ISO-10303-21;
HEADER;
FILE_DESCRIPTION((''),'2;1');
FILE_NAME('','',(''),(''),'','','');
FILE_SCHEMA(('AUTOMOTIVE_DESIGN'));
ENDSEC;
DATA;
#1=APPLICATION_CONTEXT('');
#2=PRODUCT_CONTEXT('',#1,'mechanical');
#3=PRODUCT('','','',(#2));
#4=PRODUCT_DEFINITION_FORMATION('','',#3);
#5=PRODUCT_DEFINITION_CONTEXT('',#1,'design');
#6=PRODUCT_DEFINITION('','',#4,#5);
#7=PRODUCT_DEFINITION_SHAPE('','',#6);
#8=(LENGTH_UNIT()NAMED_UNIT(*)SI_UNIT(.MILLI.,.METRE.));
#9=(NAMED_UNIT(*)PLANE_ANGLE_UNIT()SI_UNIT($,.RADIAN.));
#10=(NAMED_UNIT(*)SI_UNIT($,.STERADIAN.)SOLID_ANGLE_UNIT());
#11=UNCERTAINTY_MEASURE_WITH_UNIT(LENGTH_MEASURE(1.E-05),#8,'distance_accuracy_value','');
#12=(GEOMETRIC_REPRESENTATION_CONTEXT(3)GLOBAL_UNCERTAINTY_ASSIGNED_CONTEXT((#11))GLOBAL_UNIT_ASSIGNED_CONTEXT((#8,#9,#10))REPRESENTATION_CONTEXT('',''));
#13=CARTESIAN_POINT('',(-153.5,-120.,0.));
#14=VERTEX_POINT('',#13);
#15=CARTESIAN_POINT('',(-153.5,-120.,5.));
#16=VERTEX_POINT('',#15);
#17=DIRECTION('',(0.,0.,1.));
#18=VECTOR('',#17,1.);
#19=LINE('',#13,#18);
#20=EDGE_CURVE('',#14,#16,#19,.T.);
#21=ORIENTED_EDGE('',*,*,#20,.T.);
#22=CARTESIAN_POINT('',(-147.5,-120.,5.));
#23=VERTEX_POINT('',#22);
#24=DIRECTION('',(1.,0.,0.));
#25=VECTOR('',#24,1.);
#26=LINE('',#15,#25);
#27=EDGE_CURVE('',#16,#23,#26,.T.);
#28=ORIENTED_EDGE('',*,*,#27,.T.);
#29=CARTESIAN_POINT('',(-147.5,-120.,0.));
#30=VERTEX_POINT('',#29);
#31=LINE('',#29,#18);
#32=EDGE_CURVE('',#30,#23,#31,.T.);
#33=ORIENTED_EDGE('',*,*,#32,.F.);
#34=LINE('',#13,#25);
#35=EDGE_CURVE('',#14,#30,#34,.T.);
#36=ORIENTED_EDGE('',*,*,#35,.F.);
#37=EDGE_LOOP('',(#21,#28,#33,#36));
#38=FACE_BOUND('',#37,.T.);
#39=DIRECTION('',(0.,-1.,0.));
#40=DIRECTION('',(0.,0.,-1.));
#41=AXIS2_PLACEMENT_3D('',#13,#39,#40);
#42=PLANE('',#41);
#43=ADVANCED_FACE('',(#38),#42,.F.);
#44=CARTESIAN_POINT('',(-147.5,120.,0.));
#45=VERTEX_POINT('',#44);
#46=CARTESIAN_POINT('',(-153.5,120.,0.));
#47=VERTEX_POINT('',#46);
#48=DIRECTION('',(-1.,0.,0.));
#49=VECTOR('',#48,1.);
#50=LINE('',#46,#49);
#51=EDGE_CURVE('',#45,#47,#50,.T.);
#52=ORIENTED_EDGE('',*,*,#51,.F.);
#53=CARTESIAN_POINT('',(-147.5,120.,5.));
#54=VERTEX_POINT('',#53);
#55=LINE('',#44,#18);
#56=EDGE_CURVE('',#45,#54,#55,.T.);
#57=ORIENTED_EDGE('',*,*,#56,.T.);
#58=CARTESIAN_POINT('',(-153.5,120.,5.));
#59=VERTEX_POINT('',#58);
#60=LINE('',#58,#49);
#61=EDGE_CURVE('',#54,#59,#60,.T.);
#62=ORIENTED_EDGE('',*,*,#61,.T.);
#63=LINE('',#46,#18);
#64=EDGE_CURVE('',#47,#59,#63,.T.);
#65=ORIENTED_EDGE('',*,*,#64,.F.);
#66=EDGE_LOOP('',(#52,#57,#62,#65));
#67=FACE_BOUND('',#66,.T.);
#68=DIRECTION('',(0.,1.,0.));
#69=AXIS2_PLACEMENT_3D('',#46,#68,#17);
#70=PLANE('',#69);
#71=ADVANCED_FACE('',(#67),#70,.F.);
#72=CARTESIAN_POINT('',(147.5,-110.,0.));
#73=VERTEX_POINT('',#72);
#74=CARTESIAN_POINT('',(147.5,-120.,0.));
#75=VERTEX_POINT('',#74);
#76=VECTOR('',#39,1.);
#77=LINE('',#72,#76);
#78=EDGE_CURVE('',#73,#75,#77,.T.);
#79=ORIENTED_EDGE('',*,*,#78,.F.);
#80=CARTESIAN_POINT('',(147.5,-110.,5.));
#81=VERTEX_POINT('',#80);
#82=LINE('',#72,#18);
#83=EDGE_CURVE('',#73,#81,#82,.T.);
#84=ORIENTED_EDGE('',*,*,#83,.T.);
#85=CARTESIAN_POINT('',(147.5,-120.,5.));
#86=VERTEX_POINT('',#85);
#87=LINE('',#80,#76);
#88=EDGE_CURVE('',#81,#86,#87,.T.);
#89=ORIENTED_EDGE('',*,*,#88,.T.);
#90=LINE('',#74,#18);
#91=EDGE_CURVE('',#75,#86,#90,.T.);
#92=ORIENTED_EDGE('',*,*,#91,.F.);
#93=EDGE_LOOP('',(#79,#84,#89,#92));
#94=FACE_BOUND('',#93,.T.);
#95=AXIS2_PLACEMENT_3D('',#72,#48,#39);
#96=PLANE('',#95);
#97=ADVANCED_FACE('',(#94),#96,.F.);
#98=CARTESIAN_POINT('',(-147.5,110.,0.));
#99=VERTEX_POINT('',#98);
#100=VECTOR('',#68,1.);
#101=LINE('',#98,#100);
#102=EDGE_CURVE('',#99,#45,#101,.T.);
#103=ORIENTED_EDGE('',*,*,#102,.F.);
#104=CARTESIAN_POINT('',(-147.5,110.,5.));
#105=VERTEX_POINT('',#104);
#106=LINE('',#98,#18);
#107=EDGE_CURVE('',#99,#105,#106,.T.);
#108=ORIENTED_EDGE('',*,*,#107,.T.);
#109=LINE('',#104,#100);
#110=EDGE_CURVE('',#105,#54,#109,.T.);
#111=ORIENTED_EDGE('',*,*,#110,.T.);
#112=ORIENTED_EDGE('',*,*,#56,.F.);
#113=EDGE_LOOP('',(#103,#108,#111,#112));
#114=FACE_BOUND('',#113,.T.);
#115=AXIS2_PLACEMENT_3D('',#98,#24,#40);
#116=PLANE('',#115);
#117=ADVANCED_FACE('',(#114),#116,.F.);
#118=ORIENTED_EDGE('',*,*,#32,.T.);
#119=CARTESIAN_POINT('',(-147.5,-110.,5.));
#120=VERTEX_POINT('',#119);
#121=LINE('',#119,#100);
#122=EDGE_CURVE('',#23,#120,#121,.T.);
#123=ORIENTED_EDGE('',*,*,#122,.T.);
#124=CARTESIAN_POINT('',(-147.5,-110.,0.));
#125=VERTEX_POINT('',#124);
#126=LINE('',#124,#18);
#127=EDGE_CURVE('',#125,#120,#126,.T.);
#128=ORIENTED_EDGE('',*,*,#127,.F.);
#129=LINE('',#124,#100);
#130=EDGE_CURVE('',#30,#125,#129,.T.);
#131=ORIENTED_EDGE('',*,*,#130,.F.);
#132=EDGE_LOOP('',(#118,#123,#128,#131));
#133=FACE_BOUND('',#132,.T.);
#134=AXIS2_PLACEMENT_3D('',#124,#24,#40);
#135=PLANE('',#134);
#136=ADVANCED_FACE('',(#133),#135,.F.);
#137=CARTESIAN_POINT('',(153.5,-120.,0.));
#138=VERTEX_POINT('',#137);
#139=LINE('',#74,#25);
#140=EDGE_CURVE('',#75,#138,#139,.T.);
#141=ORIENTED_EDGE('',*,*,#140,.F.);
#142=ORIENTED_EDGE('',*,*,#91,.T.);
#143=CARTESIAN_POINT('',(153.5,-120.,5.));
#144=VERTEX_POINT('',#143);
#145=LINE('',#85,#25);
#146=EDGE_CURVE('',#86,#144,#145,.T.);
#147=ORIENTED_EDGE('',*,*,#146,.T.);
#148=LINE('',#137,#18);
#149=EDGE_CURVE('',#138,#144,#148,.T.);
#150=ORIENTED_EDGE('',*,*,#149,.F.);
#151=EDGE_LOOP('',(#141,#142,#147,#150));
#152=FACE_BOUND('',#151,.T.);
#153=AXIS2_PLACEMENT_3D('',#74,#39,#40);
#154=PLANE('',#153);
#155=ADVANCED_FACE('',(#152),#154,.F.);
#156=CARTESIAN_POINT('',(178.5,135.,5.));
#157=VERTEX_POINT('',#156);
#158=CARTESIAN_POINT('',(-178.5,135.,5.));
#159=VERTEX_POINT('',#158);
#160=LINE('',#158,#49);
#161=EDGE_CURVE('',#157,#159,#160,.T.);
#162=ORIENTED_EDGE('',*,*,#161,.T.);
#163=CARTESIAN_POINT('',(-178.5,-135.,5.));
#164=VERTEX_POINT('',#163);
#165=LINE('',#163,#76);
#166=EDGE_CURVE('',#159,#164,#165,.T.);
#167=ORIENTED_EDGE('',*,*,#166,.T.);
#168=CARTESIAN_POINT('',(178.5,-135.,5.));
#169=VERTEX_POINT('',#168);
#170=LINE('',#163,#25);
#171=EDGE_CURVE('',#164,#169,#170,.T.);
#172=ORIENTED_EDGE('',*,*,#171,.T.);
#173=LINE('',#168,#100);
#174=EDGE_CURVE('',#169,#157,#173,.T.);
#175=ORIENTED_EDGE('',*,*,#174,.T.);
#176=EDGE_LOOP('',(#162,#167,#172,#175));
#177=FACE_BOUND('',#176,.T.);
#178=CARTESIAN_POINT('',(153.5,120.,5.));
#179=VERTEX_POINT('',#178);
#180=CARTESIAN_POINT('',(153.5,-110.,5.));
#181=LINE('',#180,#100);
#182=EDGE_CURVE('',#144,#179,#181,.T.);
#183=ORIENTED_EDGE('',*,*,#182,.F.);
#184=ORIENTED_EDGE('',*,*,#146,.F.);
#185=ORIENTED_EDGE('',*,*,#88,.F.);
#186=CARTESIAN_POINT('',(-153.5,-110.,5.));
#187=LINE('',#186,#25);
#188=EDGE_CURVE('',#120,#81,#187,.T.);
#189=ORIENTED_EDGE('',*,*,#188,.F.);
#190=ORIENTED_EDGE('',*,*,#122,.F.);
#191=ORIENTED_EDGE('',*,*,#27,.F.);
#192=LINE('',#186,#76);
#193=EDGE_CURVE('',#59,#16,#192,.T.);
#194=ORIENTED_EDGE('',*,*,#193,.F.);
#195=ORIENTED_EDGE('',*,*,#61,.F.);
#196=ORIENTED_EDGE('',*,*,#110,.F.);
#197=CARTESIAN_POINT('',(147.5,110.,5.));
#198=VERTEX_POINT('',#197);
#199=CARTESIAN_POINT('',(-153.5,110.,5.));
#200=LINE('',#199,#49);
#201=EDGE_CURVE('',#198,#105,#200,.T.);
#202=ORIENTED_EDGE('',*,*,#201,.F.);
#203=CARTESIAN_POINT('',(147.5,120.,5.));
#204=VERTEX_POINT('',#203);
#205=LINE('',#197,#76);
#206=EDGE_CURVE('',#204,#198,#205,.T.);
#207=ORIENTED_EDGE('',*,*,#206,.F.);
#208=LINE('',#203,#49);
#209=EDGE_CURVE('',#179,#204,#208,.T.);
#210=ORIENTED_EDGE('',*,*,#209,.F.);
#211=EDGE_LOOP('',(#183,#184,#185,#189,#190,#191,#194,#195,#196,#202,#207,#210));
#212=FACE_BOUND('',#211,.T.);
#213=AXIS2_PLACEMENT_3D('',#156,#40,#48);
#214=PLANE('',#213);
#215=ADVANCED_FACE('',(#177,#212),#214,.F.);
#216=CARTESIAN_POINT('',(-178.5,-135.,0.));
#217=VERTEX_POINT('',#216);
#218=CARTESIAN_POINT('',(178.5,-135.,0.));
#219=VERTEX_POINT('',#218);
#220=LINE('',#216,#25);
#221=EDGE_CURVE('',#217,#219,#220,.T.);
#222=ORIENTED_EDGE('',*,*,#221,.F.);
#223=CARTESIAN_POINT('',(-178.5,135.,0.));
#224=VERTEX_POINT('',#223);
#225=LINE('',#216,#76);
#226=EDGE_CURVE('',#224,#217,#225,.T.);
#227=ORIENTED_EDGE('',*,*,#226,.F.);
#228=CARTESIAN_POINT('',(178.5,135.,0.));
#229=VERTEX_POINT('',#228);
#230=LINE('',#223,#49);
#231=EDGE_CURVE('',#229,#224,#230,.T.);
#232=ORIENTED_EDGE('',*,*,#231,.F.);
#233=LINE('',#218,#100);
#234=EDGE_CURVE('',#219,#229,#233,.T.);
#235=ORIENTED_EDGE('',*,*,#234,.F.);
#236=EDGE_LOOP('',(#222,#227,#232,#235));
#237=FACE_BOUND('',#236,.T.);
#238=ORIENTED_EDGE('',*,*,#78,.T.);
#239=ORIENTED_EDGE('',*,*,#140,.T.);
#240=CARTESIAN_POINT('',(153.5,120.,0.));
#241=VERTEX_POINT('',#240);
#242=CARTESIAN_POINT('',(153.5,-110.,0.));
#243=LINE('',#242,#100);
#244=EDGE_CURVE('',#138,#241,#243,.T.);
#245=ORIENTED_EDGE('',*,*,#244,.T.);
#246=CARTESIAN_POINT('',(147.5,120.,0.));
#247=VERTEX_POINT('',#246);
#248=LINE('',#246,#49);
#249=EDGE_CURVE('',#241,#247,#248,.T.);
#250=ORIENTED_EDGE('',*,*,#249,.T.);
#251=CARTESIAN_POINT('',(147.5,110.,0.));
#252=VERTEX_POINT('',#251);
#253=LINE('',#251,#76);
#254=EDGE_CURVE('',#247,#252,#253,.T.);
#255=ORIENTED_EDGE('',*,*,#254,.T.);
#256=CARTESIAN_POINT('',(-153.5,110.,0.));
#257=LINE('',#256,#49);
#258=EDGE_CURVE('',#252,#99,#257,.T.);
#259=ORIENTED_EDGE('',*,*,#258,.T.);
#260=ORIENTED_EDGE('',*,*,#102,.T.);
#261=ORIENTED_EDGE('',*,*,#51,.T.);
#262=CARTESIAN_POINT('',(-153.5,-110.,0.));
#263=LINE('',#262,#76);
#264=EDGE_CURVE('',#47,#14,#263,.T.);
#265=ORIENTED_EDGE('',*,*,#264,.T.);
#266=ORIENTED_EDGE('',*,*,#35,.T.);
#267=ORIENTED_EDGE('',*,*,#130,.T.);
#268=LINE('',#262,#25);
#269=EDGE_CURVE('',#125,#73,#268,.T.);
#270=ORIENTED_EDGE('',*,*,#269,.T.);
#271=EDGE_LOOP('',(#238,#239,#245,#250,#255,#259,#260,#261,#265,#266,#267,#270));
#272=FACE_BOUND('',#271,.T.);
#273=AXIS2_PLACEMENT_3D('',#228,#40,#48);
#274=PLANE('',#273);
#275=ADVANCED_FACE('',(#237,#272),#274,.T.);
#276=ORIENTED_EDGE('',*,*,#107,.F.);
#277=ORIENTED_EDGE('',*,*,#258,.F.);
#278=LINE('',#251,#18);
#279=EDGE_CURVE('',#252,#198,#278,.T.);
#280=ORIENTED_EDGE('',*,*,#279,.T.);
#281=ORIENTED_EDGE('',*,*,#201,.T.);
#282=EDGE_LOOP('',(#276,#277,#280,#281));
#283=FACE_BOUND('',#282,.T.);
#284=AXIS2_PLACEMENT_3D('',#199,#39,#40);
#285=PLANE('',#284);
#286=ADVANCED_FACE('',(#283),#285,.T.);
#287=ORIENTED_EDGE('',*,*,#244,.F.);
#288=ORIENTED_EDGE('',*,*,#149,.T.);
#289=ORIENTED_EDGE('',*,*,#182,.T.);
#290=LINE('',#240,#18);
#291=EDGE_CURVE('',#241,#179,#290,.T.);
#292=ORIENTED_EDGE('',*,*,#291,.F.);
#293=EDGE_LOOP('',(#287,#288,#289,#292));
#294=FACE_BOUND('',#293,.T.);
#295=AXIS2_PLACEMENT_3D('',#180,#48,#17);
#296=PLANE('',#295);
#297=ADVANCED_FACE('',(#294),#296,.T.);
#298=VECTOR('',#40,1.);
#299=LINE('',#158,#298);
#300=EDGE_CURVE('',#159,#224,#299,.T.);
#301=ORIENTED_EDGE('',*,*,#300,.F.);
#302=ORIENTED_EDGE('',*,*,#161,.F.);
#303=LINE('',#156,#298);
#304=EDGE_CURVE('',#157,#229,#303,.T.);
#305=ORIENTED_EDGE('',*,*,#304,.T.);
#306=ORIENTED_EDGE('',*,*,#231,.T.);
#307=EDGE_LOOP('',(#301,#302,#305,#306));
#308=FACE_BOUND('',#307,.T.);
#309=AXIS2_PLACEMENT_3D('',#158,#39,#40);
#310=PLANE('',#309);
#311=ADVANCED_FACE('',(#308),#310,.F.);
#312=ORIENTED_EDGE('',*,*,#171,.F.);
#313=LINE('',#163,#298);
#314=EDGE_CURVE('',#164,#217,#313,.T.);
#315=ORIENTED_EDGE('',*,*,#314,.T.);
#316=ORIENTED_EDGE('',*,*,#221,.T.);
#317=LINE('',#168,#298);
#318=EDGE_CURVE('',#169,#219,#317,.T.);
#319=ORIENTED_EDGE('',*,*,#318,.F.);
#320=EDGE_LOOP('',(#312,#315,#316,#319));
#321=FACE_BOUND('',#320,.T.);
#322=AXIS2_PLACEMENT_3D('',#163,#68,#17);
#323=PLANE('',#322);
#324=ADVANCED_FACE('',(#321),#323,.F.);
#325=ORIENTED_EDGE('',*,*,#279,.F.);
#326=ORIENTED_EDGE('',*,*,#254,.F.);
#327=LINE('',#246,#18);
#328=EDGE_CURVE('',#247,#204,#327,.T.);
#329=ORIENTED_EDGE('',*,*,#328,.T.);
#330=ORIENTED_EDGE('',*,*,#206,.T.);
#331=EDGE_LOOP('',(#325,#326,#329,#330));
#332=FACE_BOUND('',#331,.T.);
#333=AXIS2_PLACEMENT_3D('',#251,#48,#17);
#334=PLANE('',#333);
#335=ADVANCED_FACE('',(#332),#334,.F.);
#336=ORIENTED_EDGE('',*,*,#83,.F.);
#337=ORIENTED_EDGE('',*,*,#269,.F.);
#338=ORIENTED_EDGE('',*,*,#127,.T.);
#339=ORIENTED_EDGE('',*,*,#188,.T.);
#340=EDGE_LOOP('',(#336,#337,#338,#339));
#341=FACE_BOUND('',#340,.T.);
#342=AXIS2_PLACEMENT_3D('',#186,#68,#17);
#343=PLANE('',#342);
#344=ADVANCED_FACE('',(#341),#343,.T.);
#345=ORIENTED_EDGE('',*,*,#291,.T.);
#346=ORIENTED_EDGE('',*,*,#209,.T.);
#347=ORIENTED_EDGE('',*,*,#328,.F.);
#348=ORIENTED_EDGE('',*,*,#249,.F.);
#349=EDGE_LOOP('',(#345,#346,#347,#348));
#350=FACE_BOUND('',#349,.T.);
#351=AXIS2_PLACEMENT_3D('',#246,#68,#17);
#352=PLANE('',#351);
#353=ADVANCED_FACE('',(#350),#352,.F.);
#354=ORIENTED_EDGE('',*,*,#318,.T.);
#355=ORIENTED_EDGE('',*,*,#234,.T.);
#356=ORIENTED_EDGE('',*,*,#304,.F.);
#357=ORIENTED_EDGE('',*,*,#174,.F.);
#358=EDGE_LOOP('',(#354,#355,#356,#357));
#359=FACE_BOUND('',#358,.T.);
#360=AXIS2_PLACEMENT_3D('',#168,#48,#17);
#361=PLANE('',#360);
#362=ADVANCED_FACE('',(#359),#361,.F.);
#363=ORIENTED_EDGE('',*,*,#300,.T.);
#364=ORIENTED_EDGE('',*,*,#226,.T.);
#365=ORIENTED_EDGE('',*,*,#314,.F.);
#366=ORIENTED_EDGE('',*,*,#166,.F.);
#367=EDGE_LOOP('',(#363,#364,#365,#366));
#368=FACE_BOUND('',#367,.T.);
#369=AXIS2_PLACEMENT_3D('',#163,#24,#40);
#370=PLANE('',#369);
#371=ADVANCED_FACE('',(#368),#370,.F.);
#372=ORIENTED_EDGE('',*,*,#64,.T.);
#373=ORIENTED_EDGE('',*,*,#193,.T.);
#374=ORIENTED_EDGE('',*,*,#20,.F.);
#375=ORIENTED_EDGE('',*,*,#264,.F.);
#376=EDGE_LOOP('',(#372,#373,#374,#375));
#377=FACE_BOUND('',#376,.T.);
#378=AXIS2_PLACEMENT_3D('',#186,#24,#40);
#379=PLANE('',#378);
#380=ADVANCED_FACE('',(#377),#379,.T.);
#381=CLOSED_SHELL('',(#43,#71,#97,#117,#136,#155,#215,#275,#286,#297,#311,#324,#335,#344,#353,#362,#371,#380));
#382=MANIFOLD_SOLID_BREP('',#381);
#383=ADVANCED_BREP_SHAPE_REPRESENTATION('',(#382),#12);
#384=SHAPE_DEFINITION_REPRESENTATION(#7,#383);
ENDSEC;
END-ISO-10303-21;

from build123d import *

# Parameters (mm, degrees)
SKETCH1_W          = 357
SKETCH1_H          = 270
SKETCH1_W_2        = 307
SKETCH1_H_2        = 220
EXTRUDE1_DEPTH     = 5
SKETCH3_W          = 6
SKETCH3_H          = 10
CUT_EXTRUDE1_DEPTH = 224.857655665


with BuildPart() as part:
    # Sketch1 → Extrude1 (new body)
    with BuildSketch(Plane.XY):
        Rectangle(SKETCH1_W, SKETCH1_H)
        Rectangle(SKETCH1_W_2, SKETCH1_H_2, mode=Mode.SUBTRACT)
    extrude(amount=EXTRUDE1_DEPTH)

    # Sketch3 → Cut-Extrude1 (cut, through all)
    with BuildSketch(Plane.XY.offset(5)):
        with Locations((-150.5, 115)):
            Rectangle(SKETCH3_W, SKETCH3_H)
        with Locations((150.5, 115)):
            Rectangle(SKETCH3_W, SKETCH3_H)
        with Locations((150.5, -115)):
            Rectangle(SKETCH3_W, SKETCH3_H)
        with Locations((-150.5, -115)):
            Rectangle(SKETCH3_W, SKETCH3_H)
    extrude(amount=-CUT_EXTRUDE1_DEPTH, mode=Mode.SUBTRACT)


solid = part.part
